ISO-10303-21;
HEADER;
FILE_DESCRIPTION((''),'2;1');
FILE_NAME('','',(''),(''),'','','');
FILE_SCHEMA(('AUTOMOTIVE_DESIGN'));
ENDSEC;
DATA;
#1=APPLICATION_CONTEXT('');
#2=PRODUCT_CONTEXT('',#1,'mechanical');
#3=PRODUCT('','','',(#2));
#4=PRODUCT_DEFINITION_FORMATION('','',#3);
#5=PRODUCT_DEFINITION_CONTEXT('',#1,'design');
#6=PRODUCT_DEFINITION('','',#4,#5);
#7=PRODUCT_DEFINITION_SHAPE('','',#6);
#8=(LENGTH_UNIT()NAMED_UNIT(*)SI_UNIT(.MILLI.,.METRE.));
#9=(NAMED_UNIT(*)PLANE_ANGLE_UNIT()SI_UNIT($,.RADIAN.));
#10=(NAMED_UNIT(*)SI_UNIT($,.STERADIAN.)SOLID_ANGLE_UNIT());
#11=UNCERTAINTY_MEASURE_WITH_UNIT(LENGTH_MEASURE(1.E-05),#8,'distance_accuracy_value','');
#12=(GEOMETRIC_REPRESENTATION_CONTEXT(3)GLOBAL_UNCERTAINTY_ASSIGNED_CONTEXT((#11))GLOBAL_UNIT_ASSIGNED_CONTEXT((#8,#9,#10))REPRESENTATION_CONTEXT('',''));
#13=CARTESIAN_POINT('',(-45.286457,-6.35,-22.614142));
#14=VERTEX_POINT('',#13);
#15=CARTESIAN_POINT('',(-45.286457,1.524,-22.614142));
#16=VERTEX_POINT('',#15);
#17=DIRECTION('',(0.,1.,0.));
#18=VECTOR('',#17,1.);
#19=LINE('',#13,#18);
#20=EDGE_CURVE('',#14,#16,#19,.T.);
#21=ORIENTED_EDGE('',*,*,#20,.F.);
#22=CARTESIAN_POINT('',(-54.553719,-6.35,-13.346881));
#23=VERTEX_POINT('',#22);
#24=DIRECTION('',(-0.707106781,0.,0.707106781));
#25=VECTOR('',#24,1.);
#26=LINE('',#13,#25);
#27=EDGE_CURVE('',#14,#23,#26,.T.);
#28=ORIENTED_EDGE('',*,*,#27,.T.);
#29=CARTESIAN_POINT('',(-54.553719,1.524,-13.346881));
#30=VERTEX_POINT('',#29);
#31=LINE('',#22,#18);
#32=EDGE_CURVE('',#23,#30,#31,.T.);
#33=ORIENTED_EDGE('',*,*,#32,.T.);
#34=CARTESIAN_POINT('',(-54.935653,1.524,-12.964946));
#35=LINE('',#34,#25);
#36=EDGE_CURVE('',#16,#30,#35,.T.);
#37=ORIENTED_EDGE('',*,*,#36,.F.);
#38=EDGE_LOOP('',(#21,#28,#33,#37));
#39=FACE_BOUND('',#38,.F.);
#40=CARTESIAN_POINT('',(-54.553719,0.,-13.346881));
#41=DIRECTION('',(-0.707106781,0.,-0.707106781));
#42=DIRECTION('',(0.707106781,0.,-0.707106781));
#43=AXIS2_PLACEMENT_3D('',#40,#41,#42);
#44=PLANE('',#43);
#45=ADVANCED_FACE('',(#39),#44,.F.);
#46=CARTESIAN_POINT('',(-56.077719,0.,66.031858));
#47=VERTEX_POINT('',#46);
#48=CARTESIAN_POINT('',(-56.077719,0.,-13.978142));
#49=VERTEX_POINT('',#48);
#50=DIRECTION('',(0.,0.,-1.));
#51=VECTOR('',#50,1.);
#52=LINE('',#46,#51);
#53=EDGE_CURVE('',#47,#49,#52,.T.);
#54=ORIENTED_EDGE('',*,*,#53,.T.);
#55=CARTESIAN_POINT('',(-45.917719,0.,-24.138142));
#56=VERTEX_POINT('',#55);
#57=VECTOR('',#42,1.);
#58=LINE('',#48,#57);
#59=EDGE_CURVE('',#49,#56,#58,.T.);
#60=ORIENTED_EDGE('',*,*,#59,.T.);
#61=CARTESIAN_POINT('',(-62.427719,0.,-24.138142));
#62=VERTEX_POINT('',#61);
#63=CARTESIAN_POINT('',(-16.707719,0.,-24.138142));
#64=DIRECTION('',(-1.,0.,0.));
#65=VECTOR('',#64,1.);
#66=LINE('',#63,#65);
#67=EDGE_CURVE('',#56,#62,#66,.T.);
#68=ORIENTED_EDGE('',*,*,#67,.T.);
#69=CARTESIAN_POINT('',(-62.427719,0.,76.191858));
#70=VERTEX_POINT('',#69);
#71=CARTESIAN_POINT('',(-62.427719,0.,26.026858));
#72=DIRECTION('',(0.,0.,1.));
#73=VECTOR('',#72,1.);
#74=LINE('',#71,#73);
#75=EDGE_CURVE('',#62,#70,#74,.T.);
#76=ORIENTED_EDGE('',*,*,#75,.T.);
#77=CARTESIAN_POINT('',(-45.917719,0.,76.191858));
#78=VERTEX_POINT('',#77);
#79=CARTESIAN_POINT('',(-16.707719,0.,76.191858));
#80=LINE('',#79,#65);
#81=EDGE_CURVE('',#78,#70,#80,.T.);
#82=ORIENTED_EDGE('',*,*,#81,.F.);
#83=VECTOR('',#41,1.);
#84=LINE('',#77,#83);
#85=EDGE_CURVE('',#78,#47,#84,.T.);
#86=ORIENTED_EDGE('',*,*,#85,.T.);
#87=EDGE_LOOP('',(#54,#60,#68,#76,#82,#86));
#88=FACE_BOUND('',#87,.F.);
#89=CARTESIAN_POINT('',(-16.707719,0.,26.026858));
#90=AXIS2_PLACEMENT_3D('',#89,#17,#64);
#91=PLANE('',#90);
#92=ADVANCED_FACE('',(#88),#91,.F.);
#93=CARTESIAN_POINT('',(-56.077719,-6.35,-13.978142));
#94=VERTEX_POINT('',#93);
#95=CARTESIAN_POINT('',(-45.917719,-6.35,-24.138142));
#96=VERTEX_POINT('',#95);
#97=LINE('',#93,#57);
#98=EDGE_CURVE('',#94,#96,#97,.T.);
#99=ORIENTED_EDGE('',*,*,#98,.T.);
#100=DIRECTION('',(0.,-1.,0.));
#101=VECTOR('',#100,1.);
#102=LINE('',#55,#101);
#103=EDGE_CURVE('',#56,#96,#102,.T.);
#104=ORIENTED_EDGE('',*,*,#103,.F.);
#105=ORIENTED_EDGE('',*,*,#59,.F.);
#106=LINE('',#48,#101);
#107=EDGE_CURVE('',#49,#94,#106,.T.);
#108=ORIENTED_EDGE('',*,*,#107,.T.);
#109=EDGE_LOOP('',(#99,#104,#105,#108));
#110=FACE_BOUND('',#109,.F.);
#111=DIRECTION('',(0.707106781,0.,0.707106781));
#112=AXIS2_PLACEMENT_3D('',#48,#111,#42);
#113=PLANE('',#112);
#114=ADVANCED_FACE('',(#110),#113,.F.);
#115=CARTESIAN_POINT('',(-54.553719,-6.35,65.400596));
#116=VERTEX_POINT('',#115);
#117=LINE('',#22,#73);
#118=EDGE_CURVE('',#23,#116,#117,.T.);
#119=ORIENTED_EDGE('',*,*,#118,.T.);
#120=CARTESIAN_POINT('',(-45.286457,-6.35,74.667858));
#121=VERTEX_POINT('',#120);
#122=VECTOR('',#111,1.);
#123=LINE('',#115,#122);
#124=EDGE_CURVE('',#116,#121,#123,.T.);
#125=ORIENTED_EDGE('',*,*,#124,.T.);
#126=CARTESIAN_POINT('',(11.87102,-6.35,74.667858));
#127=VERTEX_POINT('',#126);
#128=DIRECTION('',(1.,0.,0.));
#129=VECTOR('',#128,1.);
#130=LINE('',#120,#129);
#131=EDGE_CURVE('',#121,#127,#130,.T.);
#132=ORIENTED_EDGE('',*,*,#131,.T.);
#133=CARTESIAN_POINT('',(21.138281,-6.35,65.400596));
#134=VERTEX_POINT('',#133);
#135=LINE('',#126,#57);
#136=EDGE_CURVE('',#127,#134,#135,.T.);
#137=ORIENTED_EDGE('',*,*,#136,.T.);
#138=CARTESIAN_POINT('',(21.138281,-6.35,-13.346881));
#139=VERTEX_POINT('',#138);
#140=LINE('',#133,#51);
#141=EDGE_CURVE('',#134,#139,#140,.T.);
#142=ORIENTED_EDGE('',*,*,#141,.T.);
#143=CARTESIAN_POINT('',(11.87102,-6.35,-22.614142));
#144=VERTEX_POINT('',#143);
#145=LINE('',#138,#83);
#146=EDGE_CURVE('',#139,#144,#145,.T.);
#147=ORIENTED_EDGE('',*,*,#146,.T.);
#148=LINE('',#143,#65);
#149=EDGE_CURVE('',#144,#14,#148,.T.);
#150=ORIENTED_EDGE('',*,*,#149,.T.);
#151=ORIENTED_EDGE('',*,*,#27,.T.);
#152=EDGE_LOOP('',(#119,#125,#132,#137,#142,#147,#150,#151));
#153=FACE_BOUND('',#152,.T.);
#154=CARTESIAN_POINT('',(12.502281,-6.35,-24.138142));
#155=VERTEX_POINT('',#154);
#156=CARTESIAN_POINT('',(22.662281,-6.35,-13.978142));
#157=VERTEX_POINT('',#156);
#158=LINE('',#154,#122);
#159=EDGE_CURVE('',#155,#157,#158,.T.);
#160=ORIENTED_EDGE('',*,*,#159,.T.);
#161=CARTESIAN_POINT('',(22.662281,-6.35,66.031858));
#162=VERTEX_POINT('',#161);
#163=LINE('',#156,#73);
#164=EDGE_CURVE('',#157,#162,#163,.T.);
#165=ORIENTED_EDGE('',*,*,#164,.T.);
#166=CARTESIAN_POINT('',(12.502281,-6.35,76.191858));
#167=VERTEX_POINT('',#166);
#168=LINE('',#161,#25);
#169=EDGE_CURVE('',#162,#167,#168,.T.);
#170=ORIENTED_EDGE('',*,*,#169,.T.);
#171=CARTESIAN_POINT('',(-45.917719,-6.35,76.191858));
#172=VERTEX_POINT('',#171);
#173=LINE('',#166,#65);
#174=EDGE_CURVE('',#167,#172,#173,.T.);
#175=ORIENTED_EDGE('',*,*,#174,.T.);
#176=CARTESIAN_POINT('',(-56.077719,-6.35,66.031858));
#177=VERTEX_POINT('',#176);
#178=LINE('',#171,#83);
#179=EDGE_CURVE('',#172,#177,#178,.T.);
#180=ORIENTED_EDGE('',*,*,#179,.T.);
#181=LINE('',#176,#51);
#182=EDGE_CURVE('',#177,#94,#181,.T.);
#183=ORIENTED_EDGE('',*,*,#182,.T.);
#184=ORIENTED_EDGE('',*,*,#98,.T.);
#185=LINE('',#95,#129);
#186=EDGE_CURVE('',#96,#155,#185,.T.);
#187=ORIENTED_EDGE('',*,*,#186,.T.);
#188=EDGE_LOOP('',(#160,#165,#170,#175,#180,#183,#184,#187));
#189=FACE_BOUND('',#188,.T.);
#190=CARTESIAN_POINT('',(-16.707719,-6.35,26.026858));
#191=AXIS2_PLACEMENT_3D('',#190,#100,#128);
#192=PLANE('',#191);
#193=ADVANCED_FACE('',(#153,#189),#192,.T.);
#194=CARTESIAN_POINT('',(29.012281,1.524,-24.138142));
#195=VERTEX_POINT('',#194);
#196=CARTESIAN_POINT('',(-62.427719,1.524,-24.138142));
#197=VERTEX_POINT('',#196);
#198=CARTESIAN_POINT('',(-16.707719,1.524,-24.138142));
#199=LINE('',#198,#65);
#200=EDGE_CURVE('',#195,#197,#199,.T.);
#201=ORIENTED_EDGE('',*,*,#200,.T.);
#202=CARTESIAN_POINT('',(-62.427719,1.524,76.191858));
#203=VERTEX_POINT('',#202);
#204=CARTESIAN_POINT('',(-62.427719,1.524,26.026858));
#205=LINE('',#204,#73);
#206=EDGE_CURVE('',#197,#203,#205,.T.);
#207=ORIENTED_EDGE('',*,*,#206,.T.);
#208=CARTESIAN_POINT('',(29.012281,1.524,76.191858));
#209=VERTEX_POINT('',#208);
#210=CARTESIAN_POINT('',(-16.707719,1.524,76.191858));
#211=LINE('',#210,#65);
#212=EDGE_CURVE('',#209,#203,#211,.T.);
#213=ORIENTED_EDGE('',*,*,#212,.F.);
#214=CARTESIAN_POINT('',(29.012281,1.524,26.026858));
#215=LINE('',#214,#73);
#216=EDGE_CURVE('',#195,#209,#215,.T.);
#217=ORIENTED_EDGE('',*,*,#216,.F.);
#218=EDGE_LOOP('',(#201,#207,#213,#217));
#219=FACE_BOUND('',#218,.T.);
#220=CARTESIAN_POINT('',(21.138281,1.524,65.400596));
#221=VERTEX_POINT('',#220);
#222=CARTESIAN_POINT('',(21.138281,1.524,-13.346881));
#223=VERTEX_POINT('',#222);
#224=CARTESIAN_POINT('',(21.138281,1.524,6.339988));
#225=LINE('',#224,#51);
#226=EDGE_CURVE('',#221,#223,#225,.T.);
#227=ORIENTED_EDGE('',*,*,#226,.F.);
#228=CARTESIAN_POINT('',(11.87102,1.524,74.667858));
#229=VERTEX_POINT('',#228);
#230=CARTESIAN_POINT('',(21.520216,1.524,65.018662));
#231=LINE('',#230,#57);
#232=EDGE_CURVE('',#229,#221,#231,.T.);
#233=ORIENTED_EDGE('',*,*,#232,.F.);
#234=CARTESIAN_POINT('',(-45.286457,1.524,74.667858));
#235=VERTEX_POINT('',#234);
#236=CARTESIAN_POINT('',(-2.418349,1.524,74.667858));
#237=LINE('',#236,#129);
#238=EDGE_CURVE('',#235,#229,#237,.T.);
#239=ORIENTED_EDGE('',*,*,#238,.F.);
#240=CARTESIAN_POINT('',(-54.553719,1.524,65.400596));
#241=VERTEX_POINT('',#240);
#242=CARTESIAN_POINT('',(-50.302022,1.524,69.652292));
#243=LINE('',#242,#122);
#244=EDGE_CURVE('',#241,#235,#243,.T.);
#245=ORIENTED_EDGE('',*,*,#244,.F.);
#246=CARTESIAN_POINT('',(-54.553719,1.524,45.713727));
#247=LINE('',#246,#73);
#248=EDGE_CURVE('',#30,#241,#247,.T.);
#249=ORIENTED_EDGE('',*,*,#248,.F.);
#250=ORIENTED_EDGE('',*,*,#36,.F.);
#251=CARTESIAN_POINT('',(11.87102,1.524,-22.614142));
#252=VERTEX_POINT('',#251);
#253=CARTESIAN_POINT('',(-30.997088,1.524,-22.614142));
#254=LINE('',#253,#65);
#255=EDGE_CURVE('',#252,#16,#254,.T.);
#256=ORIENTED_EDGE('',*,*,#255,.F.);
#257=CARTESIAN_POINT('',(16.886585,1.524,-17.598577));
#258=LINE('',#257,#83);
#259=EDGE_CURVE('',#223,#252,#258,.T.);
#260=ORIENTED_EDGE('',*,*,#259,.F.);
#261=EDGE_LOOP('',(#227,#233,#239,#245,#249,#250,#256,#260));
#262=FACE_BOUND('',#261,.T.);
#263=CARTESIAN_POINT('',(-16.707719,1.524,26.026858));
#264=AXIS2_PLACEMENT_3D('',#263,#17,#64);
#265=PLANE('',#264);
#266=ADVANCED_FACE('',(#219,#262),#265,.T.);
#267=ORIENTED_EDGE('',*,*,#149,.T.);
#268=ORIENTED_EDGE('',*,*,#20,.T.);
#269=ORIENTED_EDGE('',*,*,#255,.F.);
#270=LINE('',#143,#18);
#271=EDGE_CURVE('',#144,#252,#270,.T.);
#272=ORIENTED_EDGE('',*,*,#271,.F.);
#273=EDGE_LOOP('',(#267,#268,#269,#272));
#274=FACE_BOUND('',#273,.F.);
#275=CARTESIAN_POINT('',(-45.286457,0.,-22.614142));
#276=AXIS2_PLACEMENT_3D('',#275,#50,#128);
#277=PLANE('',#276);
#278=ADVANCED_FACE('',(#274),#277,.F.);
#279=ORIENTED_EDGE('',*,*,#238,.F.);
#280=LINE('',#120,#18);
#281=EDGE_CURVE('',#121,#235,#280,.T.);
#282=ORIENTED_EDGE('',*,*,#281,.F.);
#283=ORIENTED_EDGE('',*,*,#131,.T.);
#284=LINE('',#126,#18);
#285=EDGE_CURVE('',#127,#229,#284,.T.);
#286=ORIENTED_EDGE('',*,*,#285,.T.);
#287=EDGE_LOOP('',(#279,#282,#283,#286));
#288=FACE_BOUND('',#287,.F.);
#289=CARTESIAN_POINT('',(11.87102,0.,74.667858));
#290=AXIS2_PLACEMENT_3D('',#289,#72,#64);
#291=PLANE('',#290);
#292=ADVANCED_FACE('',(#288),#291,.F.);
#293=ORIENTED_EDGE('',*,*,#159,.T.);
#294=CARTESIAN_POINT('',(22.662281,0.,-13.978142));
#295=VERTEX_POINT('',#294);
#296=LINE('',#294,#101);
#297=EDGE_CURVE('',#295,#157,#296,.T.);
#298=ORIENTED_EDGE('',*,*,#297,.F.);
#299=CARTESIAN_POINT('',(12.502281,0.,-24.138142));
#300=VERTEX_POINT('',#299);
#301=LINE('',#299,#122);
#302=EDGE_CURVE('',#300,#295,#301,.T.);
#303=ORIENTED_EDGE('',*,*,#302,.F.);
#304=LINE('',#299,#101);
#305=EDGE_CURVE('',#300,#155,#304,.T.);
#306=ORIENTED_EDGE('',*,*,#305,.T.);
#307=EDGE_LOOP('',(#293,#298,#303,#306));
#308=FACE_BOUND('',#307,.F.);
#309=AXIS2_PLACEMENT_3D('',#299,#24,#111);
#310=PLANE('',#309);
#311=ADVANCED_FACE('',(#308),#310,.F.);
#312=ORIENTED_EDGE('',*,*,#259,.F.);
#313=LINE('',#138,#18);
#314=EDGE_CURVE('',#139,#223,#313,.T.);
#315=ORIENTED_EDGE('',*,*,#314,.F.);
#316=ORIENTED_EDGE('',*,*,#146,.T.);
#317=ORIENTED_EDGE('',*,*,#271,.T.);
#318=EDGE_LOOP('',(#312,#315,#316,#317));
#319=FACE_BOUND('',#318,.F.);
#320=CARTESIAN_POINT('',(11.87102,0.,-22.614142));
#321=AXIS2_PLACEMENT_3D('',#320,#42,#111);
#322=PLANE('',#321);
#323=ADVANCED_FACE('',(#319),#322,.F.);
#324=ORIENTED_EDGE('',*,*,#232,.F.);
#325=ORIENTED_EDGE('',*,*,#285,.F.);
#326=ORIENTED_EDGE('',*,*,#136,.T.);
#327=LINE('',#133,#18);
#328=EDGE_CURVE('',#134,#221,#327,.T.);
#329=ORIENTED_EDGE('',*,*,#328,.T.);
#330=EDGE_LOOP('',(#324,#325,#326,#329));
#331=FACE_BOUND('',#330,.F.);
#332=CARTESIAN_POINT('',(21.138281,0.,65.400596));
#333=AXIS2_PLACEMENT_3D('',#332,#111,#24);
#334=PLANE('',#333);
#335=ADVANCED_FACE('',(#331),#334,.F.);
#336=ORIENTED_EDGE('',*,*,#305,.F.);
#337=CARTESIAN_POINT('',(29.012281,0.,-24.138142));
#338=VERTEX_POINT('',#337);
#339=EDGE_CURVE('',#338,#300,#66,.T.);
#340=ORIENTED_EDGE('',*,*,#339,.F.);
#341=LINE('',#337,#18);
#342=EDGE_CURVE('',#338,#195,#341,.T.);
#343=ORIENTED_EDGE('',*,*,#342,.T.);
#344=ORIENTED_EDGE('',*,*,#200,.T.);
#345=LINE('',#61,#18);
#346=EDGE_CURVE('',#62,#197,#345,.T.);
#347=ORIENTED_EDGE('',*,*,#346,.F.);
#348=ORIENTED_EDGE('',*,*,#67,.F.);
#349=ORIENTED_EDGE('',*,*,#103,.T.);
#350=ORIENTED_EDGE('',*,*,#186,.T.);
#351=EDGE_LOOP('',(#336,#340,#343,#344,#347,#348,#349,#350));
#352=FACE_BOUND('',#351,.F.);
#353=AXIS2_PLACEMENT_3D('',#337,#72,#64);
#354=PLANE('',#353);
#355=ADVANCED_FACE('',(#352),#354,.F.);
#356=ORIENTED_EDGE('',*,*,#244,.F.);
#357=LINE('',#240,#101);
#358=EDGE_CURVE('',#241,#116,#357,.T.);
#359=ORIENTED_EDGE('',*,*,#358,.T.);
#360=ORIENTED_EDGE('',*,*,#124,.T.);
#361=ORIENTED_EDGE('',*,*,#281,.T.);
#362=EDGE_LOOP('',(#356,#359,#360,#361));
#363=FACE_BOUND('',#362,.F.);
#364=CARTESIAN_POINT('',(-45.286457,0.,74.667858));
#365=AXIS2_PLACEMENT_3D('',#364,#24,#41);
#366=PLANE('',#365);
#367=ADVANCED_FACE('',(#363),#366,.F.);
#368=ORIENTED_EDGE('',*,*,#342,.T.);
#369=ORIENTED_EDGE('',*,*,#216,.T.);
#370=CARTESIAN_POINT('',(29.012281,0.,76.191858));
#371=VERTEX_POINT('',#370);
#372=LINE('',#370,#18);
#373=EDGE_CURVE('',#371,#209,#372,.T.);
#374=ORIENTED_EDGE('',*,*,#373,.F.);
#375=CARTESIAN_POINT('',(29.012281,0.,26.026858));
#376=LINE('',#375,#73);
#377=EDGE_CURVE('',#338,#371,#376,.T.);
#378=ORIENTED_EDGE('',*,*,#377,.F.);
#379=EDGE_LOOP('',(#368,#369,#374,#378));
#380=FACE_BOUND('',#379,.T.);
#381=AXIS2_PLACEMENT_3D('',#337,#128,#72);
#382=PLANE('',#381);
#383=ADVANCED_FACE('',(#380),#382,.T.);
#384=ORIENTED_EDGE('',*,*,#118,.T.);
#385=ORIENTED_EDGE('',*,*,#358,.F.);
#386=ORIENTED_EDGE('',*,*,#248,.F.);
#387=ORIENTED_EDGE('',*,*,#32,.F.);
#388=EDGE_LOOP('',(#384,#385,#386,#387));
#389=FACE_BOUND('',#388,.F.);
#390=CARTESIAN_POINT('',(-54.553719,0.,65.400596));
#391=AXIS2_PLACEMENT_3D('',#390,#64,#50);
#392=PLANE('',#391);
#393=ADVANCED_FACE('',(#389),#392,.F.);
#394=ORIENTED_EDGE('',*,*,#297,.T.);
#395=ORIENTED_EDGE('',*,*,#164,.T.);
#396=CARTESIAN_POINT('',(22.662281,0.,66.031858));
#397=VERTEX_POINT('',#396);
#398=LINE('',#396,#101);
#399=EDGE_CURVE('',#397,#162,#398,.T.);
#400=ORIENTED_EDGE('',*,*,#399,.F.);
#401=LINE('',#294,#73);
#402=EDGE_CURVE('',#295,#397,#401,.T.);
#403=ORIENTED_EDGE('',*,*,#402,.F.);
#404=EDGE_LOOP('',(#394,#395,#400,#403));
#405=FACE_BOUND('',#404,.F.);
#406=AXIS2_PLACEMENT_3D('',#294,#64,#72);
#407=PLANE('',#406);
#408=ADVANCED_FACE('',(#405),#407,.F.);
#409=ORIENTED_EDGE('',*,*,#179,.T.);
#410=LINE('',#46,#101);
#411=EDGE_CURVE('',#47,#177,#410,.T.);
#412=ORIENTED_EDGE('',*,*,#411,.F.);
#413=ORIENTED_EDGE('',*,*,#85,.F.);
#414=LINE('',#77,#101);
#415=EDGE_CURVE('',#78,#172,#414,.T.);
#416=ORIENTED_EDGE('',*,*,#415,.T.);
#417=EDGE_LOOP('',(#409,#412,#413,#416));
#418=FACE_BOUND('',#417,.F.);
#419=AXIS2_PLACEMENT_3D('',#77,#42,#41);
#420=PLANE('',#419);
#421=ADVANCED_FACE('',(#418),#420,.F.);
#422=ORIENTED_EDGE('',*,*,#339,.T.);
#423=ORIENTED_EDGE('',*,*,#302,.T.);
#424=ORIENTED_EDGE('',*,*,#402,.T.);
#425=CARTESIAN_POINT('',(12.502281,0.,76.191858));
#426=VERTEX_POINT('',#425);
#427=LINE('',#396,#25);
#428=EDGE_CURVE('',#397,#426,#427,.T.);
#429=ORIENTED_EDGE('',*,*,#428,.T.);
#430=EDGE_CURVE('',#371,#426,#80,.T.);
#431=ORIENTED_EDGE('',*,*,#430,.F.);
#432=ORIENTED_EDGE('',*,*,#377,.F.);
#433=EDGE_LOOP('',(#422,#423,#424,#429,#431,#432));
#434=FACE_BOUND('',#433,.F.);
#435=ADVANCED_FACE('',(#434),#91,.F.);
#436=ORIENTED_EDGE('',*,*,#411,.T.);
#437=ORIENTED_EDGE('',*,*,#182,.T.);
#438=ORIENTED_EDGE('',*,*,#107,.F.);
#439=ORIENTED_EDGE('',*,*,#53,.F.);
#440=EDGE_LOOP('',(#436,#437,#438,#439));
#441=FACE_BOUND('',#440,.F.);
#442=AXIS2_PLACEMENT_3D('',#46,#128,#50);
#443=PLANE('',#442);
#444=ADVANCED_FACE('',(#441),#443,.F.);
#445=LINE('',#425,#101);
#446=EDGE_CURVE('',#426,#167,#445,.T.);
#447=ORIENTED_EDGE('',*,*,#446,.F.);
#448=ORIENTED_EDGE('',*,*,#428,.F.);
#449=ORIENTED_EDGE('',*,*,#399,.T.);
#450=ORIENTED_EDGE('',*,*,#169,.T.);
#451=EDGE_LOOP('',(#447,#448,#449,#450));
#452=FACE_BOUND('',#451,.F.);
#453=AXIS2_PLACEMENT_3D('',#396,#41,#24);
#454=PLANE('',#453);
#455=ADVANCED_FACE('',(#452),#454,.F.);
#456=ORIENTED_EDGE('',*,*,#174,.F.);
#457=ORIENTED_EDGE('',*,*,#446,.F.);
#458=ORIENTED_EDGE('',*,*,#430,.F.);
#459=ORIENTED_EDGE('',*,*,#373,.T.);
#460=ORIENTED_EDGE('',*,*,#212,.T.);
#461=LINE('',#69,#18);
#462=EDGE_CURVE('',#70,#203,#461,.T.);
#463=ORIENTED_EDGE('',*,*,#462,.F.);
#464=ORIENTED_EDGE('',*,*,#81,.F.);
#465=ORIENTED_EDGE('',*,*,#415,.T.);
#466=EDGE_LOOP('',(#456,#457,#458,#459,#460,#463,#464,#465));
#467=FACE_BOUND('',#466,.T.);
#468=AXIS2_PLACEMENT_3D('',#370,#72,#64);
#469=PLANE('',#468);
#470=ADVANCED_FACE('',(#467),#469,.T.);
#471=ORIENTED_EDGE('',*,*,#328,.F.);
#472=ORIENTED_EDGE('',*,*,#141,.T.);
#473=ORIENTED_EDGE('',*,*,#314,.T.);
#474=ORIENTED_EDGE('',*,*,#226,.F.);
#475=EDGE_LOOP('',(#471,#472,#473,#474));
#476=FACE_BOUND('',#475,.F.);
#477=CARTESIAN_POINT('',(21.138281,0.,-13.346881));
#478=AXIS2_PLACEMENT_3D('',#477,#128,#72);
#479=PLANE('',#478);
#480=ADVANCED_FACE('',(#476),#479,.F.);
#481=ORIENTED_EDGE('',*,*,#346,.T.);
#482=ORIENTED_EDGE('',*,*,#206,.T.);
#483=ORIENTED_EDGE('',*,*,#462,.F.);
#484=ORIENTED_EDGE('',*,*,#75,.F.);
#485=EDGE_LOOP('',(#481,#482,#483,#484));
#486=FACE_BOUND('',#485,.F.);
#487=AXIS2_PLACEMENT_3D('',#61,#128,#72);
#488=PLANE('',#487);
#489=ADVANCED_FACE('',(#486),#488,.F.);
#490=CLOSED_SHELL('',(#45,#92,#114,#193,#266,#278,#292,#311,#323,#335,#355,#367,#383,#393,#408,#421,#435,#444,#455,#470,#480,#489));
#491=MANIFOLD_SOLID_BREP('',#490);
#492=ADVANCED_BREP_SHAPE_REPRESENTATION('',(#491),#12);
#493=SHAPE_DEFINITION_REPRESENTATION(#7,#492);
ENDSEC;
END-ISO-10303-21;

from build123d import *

# Parameters (mm, degrees)
F1_DEPTH = 6.35
F2_W     = 91.44
F2_H     = 100.33
F3_DEPTH = 1.524
F5_DEPTH = 5.334
F6_DEPTH = 6.35


with BuildPart() as f1:
    # F0 (on Front) → F1 (new body)
    with BuildSketch(Plane.XZ):
        Polygon((12.5022814354, 76.191857674), (-45.9177185646, 76.191857674), (-56.0777185646, 66.031857674), (-56.0777185646, -13.978142326), (-45.9177185646, -24.138142326), (12.5022814354, -24.138142326), (22.6622814354, -13.978142326), (22.6622814354, 66.031857674), align=None)
        Polygon((-54.5537185646, 65.4005962049), (-45.2864570956, 74.667857674), (11.8710199663, 74.667857674), (21.1382814354, 65.4005962049), (21.1382814354, -13.346880857), (11.8710199663, -22.614142326), (-45.2864570956, -22.614142326), (-54.5537185646, -13.346880857), align=None, mode=Mode.SUBTRACT)
    extrude(amount=F1_DEPTH)

    # F2 (on face) → F3 (join)
    with BuildSketch(Plane(origin=(0, 0, 0), x_dir=(-1, 0, 0), z_dir=(0, 1, 0))):
        with Locations((16.7077185646, 26.026857674)):
            Rectangle(F2_W, F2_H)
    extrude(amount=F3_DEPTH)

    # F4 (on face) → F5 (cut, symmetric)
    with BuildSketch(Plane.XZ):
        Polygon((11.8710199663, 74.667857674), (-45.2864570956, 74.667857674), (-54.5537185646, 65.4005962049), (-54.5537185646, -13.346880857), (-45.2864570956, -22.614142326), (11.8710199663, -22.614142326), (21.1382814354, -13.346880857), (21.1382814354, 65.4005962049), align=None)
    extrude(amount=F5_DEPTH, both=True, mode=Mode.SUBTRACT)

    # F0 (on Front) → F6 (join)
    with BuildSketch(Plane.XZ):
        Polygon((12.5022814354, 76.191857674), (-45.9177185646, 76.191857674), (-56.0777185646, 66.031857674), (-56.0777185646, -13.978142326), (-45.9177185646, -24.138142326), (12.5022814354, -24.138142326), (22.6622814354, -13.978142326), (22.6622814354, 66.031857674), align=None)
        Polygon((-54.5537185646, 65.4005962049), (-45.2864570956, 74.667857674), (11.8710199663, 74.667857674), (21.1382814354, 65.4005962049), (21.1382814354, -13.346880857), (11.8710199663, -22.614142326), (-45.2864570956, -22.614142326), (-54.5537185646, -13.346880857), align=None, mode=Mode.SUBTRACT)
    extrude(amount=F6_DEPTH)


solid = f1.part
